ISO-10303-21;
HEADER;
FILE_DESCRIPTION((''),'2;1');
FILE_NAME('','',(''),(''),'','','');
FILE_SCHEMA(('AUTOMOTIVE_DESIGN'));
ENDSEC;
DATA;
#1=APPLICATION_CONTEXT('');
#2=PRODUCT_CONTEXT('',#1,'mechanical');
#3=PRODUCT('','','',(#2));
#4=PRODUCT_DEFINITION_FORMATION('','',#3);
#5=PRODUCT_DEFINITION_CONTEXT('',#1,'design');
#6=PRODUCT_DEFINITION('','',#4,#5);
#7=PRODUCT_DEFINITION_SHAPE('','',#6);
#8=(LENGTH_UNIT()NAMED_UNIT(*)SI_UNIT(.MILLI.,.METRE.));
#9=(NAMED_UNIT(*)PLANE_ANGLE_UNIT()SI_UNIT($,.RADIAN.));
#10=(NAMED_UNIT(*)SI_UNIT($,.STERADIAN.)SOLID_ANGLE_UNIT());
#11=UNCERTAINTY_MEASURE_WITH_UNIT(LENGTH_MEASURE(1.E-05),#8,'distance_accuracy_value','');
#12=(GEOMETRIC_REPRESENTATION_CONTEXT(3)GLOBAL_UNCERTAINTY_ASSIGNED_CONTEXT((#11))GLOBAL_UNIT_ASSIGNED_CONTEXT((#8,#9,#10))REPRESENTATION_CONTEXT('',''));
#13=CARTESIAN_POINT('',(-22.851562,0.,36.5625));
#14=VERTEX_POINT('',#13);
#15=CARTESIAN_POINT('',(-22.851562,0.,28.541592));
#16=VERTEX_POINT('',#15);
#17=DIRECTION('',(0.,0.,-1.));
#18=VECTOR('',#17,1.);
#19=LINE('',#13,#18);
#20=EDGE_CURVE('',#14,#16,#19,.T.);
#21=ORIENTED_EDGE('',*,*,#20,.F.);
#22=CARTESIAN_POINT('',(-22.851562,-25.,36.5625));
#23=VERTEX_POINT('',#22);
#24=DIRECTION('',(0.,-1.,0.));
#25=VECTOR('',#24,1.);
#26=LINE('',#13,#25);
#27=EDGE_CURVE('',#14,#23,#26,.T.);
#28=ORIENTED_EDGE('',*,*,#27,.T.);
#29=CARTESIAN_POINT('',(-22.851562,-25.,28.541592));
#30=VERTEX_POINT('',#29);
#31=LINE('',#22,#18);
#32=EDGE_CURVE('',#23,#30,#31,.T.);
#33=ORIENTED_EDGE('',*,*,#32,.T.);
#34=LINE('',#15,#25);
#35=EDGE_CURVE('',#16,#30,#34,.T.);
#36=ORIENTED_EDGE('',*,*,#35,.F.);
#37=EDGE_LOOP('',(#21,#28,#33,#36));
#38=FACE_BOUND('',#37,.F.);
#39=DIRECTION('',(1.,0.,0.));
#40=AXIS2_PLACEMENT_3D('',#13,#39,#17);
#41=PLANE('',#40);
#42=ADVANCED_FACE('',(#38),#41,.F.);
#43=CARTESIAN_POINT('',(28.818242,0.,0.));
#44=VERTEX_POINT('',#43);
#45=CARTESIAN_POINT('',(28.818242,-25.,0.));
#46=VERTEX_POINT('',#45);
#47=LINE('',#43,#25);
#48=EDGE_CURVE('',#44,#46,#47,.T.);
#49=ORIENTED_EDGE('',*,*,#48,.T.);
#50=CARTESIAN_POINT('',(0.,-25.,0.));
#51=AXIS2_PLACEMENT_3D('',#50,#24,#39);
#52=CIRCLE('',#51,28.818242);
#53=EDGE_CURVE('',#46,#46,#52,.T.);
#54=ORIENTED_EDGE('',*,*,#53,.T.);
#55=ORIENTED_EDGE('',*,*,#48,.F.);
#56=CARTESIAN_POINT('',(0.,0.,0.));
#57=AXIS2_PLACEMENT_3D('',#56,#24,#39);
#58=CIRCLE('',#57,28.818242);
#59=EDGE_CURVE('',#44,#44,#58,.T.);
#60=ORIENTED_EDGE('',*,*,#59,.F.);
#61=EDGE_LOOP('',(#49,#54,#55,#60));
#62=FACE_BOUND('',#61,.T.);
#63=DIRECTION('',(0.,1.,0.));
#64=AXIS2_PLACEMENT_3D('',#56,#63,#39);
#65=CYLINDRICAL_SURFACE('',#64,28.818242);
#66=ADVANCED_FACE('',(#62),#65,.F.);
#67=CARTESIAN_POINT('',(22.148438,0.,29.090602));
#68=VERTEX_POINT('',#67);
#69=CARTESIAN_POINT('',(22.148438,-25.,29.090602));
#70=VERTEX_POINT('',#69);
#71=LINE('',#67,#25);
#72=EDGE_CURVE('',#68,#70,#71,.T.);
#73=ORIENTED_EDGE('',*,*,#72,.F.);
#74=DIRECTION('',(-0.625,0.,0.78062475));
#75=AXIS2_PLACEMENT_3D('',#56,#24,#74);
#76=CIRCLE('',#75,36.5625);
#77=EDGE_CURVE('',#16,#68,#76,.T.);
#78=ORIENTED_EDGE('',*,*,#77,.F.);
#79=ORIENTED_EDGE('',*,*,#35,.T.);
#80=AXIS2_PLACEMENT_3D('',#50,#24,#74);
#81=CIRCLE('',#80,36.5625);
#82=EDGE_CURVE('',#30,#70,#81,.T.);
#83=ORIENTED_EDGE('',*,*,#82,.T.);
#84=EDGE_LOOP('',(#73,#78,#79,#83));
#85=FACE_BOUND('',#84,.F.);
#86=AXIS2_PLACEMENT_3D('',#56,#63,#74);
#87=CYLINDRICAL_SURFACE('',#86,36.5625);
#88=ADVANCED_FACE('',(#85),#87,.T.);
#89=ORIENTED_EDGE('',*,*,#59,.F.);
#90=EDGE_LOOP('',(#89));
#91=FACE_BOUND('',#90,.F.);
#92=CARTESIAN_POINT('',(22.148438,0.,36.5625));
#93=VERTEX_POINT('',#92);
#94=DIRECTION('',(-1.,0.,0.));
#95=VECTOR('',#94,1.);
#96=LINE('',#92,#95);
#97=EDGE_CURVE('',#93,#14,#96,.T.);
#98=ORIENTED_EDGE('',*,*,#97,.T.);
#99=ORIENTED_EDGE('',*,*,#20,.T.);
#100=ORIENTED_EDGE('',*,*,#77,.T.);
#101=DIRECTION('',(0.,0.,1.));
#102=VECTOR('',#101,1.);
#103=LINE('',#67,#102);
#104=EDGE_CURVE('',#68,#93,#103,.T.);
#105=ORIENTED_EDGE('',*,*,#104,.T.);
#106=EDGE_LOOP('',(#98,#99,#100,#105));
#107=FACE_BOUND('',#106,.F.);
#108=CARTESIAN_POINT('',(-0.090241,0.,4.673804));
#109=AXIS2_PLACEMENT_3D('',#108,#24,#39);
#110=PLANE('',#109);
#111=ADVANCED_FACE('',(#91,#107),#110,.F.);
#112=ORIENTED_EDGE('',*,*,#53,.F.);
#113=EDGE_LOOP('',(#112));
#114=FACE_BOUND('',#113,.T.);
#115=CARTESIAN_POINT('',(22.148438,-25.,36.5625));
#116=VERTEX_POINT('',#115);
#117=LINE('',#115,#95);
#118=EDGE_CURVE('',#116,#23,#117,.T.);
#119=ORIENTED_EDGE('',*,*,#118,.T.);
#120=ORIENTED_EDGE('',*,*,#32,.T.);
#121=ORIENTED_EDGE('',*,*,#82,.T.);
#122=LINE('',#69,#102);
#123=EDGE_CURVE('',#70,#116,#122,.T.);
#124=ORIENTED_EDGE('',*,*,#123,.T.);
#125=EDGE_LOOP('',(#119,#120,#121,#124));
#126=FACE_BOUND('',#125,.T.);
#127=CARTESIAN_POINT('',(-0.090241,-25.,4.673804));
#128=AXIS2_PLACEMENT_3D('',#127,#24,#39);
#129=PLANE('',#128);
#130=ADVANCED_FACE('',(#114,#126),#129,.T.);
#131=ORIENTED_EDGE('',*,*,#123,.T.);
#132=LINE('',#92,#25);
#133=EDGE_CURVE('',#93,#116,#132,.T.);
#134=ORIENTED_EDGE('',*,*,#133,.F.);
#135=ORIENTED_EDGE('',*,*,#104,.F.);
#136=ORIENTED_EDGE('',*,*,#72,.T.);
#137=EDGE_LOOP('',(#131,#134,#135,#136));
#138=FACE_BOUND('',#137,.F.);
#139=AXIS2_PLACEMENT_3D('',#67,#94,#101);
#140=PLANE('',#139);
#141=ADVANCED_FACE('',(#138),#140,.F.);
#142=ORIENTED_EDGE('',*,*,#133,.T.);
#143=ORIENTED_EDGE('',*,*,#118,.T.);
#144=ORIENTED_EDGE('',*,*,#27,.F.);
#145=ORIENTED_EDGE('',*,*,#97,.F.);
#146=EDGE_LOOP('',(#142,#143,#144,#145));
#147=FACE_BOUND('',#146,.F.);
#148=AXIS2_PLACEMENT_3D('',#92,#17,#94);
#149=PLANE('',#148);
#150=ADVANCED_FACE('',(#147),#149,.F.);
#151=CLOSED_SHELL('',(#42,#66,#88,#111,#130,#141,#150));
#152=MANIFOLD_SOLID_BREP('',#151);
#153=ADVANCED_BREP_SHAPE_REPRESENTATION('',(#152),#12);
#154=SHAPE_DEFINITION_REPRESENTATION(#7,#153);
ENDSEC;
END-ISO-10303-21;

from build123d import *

# Parameters (mm, degrees)
F0_R     = 28.8182416774
F1_DEPTH = 25


with BuildPart() as f1:
    # F0 (on Front) → F1 (new body)
    with BuildSketch(Plane.XZ):
        with BuildLine():
            Line((22.1484375, 36.5625), (-22.8515625, 36.5625))
            Line((-22.8515625, 36.5625), (-22.8515625, 28.5415924146))
            ThreePointArc((-22.8515625, 28.5415924146), (0.446037064, -36.5597792278), (22.1484375, 29.0906019628))
            Line((22.1484375, 29.0906019628), (22.1484375, 36.5625))
        make_face()
        Circle(F0_R, mode=Mode.SUBTRACT)
    extrude(amount=F1_DEPTH)


solid = f1.part
